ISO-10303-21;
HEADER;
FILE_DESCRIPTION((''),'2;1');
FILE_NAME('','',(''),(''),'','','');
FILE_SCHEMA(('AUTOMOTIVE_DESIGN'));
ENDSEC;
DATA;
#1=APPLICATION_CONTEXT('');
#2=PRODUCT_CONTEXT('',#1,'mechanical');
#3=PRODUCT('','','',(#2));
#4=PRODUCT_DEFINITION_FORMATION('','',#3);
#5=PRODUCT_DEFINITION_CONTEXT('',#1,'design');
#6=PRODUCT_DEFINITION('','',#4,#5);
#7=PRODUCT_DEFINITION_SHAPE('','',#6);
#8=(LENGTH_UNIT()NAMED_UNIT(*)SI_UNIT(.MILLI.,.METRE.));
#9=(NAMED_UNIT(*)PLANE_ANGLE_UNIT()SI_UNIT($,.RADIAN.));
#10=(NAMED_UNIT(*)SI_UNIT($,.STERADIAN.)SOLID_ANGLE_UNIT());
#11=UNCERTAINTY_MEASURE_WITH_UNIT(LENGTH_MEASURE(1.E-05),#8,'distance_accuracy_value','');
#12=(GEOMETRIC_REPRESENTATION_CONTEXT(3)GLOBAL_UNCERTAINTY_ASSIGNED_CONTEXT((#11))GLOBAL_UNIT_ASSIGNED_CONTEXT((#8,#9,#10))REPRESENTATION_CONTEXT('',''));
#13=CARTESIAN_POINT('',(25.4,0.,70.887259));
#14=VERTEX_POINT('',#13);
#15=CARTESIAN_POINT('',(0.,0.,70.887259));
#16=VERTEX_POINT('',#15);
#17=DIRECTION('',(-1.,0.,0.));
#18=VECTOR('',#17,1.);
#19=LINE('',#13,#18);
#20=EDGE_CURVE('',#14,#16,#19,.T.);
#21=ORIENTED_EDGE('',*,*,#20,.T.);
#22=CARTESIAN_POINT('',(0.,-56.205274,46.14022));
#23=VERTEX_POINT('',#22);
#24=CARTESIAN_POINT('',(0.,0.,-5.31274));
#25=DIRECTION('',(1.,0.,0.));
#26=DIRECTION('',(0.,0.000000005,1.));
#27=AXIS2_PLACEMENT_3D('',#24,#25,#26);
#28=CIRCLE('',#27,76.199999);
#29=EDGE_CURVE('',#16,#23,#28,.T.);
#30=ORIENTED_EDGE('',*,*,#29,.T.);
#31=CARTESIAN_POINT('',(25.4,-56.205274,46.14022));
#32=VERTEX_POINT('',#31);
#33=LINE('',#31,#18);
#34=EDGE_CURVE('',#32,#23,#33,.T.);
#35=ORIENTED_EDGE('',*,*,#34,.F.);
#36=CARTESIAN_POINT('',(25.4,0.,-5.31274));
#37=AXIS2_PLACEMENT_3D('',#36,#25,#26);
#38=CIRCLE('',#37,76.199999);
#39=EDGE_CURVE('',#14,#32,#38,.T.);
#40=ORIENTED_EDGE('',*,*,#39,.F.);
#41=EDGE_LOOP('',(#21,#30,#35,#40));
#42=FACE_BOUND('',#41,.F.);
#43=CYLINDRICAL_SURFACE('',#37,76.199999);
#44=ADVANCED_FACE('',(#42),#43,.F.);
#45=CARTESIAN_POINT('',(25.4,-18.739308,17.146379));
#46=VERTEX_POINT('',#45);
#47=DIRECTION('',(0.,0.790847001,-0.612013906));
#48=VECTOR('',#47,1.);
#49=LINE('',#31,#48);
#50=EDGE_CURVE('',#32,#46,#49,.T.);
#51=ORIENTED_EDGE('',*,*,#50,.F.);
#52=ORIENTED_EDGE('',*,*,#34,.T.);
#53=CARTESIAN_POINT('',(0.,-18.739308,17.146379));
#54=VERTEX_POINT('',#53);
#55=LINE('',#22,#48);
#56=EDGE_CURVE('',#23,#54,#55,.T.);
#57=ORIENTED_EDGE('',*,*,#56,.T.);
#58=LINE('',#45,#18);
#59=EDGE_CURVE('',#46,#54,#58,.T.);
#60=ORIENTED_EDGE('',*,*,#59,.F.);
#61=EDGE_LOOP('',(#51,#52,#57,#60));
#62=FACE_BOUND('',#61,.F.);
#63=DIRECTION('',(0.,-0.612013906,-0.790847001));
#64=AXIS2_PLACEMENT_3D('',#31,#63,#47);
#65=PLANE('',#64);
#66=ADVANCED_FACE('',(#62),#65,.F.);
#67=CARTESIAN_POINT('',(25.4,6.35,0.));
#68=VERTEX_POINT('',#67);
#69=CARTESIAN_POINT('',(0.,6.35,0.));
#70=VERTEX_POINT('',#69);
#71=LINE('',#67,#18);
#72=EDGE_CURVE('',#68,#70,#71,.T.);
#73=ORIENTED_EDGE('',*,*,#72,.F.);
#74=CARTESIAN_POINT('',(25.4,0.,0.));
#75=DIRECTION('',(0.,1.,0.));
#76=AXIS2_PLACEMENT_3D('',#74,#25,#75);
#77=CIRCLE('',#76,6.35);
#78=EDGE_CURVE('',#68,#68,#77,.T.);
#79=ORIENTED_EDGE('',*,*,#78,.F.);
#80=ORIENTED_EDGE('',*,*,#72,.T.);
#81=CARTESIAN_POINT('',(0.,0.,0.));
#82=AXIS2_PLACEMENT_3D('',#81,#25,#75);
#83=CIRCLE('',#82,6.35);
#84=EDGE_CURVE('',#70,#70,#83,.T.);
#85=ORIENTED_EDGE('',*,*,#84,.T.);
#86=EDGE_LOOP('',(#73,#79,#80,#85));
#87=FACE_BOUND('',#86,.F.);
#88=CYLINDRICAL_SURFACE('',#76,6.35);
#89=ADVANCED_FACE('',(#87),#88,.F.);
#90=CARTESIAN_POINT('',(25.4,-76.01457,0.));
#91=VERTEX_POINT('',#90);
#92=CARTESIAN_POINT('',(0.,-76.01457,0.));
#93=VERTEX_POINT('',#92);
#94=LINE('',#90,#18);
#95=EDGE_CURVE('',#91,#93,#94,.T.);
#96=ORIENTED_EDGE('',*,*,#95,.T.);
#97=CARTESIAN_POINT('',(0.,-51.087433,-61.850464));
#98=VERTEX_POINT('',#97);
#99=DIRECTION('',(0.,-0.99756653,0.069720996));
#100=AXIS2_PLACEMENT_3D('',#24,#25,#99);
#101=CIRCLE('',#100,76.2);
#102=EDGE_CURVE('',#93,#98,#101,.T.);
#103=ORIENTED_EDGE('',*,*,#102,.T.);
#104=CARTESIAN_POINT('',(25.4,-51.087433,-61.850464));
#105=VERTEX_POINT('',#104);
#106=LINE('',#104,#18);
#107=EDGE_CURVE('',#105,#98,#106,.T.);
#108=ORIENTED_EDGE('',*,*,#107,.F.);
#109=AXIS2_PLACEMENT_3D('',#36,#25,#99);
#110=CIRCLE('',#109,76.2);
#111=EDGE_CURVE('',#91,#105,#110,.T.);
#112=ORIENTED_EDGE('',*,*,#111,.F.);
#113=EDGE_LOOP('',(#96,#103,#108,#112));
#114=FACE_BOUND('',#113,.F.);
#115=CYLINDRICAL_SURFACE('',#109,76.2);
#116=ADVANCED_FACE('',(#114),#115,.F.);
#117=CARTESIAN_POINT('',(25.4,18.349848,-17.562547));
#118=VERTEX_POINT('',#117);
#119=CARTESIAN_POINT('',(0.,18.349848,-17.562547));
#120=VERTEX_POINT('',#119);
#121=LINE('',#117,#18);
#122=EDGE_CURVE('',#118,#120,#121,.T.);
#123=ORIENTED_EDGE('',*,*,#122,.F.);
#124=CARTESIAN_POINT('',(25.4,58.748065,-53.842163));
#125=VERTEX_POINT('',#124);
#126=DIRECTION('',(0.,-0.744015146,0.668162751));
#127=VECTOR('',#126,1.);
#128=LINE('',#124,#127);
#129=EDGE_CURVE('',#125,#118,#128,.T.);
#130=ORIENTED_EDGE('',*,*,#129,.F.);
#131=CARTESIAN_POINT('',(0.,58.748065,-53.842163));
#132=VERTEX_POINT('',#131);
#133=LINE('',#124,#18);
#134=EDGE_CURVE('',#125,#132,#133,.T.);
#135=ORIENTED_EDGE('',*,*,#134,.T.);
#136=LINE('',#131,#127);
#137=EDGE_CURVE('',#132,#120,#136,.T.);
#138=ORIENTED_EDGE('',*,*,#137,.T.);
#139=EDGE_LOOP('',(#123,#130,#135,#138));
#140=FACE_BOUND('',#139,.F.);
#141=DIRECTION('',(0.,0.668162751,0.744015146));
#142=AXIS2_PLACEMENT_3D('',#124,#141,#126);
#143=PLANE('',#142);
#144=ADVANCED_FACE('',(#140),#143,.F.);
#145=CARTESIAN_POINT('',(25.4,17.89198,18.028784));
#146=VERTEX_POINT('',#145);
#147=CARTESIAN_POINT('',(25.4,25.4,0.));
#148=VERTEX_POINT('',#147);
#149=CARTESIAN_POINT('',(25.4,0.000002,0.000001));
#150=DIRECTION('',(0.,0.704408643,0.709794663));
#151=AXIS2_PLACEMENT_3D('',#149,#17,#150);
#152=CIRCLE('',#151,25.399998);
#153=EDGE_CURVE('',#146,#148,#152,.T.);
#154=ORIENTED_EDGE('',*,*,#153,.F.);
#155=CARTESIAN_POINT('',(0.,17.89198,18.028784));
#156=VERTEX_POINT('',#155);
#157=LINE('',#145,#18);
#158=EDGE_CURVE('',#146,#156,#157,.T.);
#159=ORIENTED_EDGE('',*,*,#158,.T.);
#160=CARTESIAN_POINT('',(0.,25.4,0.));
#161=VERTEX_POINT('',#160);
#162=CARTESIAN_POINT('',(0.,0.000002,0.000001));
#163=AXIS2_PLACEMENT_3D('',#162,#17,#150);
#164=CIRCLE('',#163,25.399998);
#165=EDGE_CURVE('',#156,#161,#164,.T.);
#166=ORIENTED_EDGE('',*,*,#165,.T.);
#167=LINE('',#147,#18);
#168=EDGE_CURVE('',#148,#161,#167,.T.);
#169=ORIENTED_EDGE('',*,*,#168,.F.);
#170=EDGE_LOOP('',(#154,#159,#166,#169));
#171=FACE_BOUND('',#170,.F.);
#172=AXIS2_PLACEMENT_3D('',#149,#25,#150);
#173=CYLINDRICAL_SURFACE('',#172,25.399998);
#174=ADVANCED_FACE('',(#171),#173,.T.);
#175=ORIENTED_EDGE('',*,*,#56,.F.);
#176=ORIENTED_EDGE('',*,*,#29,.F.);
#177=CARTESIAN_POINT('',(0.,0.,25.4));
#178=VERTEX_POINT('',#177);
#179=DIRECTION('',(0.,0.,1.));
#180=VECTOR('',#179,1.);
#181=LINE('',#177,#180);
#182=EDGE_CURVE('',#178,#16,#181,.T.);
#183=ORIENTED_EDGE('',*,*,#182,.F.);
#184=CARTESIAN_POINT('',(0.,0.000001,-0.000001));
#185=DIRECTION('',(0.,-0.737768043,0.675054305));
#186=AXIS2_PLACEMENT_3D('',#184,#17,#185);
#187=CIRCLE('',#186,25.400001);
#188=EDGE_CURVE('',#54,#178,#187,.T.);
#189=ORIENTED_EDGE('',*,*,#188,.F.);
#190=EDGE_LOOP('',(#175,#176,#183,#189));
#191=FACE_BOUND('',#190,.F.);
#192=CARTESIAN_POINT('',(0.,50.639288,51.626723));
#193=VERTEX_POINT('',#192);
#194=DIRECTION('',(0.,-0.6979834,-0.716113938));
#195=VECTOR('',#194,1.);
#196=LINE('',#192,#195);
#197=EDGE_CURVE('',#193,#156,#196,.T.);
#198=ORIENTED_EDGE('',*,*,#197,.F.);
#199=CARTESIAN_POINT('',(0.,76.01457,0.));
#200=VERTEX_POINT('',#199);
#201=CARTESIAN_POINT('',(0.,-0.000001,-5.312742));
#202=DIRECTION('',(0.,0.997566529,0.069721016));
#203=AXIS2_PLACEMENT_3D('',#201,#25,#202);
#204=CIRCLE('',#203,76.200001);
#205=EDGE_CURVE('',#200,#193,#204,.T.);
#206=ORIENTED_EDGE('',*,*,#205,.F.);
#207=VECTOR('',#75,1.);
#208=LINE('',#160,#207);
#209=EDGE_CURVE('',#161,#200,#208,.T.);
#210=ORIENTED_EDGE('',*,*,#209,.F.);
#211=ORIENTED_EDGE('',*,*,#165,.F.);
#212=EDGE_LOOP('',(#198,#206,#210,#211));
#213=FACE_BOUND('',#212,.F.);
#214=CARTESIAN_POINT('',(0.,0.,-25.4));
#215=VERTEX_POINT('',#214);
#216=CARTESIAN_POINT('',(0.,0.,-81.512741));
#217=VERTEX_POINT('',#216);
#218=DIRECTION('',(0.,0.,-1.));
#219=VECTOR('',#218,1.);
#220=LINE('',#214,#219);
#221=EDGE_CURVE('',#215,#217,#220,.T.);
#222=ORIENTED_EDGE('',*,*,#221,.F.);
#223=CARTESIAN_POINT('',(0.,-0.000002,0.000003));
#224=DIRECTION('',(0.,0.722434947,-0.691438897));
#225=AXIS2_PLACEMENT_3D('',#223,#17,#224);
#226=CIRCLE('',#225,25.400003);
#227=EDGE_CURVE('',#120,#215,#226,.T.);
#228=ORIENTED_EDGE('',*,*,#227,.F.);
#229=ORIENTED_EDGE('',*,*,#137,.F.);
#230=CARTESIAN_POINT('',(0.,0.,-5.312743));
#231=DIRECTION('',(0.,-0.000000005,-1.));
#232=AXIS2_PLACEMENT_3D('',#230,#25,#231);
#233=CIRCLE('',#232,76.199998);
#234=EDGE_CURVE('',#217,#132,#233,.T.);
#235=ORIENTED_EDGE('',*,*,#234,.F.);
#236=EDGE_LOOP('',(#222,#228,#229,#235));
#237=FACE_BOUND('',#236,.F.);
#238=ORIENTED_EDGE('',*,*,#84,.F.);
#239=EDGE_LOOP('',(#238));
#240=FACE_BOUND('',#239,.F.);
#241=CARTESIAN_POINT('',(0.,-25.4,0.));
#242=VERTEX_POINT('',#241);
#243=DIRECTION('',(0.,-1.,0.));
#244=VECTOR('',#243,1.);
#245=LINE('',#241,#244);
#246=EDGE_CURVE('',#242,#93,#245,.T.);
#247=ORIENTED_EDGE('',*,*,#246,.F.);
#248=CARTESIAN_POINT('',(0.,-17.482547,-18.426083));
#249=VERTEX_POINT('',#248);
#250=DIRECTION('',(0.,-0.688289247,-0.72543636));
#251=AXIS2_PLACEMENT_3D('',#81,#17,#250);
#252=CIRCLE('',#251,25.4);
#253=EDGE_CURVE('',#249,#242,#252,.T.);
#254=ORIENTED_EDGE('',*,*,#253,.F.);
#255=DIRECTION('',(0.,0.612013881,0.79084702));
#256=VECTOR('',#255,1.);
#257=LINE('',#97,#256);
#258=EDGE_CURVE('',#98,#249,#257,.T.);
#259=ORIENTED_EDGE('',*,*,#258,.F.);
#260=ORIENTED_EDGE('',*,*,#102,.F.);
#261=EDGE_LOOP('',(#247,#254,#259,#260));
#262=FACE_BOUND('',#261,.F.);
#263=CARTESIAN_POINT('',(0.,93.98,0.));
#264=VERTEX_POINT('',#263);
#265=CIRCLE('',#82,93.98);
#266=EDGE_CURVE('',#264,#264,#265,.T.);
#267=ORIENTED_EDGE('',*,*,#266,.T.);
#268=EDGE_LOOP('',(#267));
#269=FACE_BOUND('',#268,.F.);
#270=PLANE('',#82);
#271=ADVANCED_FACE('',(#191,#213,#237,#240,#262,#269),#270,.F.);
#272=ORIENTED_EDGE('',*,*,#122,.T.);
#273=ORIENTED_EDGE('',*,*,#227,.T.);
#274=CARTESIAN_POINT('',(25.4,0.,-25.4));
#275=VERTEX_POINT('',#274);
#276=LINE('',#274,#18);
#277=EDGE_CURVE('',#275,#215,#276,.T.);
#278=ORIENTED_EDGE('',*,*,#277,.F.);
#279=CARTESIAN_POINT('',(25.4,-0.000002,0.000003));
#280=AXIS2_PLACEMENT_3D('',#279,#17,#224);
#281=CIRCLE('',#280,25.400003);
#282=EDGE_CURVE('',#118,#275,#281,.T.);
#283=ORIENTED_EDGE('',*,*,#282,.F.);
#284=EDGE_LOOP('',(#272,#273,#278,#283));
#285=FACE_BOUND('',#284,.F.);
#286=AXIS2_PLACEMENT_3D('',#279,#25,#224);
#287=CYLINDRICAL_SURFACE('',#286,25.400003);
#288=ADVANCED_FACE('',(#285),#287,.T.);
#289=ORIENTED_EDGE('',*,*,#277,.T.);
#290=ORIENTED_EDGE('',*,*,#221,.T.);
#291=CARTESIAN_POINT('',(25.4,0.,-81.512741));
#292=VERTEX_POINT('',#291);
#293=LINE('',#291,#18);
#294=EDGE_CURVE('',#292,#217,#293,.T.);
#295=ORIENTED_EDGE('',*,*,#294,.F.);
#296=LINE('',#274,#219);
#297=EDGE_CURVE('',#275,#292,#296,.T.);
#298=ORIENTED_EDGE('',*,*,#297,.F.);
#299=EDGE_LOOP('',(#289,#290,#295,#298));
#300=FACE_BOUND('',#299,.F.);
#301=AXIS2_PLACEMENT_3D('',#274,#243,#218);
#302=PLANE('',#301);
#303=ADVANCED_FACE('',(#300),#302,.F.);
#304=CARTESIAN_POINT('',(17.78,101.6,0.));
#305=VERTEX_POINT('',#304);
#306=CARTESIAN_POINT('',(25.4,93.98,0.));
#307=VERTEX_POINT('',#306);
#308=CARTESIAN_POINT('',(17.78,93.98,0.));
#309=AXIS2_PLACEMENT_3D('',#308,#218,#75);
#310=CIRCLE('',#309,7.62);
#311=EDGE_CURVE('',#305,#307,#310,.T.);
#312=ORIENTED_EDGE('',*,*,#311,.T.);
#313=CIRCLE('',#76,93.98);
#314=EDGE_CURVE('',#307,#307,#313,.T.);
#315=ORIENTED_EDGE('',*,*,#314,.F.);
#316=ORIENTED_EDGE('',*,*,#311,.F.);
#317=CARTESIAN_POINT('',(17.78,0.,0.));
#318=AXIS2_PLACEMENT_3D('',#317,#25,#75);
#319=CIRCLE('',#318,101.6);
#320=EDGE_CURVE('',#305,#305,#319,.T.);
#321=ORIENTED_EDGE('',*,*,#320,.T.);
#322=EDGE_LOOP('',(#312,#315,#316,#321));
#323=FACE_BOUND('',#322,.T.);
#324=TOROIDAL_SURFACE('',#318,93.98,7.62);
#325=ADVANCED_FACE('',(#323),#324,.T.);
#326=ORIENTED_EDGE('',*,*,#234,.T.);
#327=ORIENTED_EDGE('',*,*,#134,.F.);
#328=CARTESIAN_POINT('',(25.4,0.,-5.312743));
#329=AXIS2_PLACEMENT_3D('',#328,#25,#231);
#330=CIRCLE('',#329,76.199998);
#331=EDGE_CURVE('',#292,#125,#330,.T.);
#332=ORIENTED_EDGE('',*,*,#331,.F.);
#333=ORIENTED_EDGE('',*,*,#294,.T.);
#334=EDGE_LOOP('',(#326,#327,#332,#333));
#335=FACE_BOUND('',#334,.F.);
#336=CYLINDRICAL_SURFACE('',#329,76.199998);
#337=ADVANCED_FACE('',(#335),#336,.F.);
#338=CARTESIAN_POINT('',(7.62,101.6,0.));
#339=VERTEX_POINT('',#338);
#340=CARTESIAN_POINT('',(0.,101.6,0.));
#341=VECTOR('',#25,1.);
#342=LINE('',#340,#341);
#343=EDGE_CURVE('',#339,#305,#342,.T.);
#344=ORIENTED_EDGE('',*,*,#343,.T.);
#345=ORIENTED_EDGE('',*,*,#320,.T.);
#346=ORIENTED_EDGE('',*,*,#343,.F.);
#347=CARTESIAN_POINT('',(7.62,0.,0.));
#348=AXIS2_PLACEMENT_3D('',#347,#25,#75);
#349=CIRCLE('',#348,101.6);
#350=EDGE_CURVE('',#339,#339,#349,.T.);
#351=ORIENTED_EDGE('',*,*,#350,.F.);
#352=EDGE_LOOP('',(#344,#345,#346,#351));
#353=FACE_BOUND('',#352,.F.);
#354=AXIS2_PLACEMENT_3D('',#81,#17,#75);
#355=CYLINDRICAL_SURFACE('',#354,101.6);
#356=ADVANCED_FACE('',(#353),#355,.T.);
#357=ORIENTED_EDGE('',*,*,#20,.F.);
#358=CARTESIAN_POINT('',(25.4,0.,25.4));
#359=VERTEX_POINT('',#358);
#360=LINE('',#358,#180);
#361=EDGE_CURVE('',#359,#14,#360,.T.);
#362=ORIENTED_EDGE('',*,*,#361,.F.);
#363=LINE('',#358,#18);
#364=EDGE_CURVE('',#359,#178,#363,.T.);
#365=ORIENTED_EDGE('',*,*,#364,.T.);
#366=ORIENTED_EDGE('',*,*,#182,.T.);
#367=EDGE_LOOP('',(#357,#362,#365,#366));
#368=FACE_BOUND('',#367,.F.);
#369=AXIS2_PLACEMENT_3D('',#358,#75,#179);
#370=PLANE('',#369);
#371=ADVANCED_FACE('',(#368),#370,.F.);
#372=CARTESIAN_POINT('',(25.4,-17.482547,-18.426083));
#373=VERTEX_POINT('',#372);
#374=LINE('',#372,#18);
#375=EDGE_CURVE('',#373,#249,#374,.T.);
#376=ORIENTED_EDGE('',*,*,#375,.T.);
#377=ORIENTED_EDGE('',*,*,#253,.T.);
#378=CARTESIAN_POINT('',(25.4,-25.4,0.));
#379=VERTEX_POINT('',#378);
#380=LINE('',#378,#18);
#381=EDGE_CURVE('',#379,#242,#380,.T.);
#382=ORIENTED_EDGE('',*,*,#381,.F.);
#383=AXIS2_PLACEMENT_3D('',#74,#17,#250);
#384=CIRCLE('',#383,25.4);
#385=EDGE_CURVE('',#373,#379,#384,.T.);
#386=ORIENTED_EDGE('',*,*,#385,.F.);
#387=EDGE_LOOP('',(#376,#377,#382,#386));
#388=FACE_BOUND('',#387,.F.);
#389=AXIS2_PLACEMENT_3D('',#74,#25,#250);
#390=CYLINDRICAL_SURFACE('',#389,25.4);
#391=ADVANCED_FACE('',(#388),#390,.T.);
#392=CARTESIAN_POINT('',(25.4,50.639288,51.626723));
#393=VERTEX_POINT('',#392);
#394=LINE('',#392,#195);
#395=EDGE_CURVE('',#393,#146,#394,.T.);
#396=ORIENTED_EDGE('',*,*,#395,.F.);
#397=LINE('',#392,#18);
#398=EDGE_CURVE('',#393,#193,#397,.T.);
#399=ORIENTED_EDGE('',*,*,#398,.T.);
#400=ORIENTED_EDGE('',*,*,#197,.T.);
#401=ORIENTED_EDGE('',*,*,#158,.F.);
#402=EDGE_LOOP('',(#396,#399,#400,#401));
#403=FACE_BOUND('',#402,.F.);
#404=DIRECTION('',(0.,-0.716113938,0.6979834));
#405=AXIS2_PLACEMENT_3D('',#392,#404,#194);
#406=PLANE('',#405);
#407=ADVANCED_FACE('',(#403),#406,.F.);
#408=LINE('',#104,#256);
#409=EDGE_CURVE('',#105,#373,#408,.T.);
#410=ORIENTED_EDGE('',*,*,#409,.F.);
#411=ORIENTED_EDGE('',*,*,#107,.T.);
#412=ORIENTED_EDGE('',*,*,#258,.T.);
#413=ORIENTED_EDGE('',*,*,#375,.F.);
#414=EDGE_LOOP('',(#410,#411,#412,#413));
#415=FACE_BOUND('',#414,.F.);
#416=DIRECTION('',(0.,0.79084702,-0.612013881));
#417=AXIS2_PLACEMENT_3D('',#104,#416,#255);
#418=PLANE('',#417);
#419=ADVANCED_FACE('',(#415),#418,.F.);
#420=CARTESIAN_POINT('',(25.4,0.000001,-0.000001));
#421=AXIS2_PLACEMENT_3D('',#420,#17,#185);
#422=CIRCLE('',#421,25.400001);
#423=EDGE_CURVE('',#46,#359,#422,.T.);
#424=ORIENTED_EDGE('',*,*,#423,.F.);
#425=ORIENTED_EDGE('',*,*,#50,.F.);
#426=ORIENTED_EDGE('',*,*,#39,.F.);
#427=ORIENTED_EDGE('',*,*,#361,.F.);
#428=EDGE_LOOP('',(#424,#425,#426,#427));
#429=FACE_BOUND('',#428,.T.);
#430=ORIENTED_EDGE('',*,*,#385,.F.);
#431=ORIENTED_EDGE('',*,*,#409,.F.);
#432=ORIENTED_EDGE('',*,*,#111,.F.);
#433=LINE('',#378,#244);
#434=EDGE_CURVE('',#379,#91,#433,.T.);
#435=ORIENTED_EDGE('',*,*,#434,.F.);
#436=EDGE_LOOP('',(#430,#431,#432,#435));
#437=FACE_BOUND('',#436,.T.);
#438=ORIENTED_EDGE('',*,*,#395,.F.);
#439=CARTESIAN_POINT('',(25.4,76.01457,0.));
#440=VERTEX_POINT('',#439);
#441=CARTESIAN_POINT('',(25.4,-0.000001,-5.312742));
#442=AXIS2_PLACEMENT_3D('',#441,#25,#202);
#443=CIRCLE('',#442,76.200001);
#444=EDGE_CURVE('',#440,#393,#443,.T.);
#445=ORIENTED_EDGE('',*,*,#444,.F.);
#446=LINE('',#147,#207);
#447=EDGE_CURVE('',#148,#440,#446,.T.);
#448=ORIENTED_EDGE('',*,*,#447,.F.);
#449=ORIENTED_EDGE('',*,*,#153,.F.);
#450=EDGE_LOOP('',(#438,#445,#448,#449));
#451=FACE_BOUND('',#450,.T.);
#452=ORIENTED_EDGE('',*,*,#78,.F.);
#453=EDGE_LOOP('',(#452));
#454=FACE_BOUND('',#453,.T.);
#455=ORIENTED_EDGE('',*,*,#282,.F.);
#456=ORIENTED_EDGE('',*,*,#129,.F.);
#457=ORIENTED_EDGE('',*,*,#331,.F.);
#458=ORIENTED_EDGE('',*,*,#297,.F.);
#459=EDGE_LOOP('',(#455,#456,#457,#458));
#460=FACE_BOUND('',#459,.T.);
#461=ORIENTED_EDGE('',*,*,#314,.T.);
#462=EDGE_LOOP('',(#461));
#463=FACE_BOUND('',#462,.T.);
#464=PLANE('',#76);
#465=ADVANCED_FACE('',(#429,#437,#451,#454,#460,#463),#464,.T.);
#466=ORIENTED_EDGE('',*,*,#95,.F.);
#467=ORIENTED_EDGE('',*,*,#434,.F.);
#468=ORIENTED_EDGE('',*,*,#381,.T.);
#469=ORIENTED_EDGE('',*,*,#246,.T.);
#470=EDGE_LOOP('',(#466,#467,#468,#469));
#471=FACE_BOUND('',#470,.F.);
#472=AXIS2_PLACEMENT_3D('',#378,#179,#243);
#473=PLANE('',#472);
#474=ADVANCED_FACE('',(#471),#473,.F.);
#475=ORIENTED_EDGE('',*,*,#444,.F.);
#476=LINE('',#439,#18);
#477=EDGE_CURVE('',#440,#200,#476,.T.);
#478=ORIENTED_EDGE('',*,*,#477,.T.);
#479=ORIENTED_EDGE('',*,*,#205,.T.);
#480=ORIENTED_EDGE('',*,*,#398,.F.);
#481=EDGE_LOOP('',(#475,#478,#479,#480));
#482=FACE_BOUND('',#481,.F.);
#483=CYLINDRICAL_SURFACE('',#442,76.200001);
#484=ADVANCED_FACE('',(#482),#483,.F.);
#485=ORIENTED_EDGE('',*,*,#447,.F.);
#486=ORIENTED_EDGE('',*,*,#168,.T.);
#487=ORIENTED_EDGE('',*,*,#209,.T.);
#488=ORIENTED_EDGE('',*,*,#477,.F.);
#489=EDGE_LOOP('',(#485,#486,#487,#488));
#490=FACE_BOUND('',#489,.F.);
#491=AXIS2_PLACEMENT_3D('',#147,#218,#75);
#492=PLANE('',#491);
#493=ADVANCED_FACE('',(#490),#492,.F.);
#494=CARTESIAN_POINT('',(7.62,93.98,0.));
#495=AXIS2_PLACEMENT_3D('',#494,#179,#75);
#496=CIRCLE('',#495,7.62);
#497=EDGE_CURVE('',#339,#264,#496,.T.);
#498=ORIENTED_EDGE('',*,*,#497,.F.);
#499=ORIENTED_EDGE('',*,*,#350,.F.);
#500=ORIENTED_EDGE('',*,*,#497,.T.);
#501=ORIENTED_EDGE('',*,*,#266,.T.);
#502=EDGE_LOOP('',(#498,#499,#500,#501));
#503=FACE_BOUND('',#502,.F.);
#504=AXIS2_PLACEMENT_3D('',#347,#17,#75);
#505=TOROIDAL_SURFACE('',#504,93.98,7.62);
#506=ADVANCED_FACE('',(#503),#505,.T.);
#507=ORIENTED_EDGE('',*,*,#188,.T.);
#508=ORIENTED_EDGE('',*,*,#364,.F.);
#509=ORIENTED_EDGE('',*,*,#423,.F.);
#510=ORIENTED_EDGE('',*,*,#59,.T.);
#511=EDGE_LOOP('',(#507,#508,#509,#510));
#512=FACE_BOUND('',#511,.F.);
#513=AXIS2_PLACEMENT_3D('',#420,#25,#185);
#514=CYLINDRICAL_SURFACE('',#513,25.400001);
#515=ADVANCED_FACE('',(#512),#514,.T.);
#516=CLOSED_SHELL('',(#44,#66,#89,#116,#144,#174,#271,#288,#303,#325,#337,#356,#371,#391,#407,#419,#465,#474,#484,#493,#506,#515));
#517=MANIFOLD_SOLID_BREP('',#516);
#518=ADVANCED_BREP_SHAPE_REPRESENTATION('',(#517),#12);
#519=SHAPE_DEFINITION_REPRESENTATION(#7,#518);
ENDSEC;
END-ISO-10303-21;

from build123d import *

# Parameters (mm, degrees)
F0_R     = 101.6
F1_DEPTH = 25.4
F3_DEPTH = 25.4
F4_R     = 7.62
F5_R     = 6.35
F6_DEPTH = 25.4


with BuildPart() as f1:
    # F0 (on Right) → F1 (new body)
    with BuildSketch(Plane.YZ):
        Circle(F0_R)
    extrude(amount=F1_DEPTH)

    # F2 (on face) → F3 (cut)
    with BuildSketch(Plane.YZ.offset(25.4)):
        with BuildLine():
            Line((-51.087433, -61.850464), (-17.482547, -18.426083))
            ThreePointArc((-17.482547, -18.426083), (-23.336845, -10.027545), (-25.4, 0))
            Line((-25.4, 0), (-76.01457, 0))
            ThreePointArc((-76.01457, 0), (-70.67602, -33.796775), (-51.087433, -61.850464))
        make_face()
        with BuildLine():
            Line((58.748065, -53.842163), (18.349848, -17.562547))
            ThreePointArc((18.349848, -17.562547), (9.976755, -23.358603), (0, -25.4))
            Line((0, -25.4), (0, -81.512741))
            ThreePointArc((0, -81.512741), (32.469201, -74.248878), (58.748065, -53.842163))
        make_face()
        with BuildLine():
            ThreePointArc((17.89198, 18.028784), (23.447988, 9.764828), (25.4, 0))
            Line((25.4, 0), (76.01457, 0))
            ThreePointArc((76.01457, 0), (68.385887, 28.299913), (50.639288, 51.626723))
            Line((50.639288, 51.626723), (17.89198, 18.028784))
        make_face()
        with BuildLine():
            ThreePointArc((-18.739308, 17.146379), (-10.238212, 23.245193), (0, 25.4))
            Line((0, 25.4), (0, 70.887259))
            ThreePointArc((0, 70.887259), (-30.706062, 64.426615), (-56.205274, 46.14022))
            Line((-56.205274, 46.14022), (-18.739308, 17.146379))
        make_face()
    extrude(amount=-F3_DEPTH, mode=Mode.SUBTRACT)

    # F4
    f4_edges = [f1.edges().sort_by_distance(p)[0] for p in [
        (25.4, -101.6, 0),
        (0, -101.6, 0),
    ]]
    fillet(f4_edges, radius=F4_R)

    # F5 (on face) → F6 (cut)
    with BuildSketch(Plane.YZ.offset(25.4)):
        Circle(F5_R)
    extrude(amount=-F6_DEPTH, mode=Mode.SUBTRACT)


solid = f1.part
